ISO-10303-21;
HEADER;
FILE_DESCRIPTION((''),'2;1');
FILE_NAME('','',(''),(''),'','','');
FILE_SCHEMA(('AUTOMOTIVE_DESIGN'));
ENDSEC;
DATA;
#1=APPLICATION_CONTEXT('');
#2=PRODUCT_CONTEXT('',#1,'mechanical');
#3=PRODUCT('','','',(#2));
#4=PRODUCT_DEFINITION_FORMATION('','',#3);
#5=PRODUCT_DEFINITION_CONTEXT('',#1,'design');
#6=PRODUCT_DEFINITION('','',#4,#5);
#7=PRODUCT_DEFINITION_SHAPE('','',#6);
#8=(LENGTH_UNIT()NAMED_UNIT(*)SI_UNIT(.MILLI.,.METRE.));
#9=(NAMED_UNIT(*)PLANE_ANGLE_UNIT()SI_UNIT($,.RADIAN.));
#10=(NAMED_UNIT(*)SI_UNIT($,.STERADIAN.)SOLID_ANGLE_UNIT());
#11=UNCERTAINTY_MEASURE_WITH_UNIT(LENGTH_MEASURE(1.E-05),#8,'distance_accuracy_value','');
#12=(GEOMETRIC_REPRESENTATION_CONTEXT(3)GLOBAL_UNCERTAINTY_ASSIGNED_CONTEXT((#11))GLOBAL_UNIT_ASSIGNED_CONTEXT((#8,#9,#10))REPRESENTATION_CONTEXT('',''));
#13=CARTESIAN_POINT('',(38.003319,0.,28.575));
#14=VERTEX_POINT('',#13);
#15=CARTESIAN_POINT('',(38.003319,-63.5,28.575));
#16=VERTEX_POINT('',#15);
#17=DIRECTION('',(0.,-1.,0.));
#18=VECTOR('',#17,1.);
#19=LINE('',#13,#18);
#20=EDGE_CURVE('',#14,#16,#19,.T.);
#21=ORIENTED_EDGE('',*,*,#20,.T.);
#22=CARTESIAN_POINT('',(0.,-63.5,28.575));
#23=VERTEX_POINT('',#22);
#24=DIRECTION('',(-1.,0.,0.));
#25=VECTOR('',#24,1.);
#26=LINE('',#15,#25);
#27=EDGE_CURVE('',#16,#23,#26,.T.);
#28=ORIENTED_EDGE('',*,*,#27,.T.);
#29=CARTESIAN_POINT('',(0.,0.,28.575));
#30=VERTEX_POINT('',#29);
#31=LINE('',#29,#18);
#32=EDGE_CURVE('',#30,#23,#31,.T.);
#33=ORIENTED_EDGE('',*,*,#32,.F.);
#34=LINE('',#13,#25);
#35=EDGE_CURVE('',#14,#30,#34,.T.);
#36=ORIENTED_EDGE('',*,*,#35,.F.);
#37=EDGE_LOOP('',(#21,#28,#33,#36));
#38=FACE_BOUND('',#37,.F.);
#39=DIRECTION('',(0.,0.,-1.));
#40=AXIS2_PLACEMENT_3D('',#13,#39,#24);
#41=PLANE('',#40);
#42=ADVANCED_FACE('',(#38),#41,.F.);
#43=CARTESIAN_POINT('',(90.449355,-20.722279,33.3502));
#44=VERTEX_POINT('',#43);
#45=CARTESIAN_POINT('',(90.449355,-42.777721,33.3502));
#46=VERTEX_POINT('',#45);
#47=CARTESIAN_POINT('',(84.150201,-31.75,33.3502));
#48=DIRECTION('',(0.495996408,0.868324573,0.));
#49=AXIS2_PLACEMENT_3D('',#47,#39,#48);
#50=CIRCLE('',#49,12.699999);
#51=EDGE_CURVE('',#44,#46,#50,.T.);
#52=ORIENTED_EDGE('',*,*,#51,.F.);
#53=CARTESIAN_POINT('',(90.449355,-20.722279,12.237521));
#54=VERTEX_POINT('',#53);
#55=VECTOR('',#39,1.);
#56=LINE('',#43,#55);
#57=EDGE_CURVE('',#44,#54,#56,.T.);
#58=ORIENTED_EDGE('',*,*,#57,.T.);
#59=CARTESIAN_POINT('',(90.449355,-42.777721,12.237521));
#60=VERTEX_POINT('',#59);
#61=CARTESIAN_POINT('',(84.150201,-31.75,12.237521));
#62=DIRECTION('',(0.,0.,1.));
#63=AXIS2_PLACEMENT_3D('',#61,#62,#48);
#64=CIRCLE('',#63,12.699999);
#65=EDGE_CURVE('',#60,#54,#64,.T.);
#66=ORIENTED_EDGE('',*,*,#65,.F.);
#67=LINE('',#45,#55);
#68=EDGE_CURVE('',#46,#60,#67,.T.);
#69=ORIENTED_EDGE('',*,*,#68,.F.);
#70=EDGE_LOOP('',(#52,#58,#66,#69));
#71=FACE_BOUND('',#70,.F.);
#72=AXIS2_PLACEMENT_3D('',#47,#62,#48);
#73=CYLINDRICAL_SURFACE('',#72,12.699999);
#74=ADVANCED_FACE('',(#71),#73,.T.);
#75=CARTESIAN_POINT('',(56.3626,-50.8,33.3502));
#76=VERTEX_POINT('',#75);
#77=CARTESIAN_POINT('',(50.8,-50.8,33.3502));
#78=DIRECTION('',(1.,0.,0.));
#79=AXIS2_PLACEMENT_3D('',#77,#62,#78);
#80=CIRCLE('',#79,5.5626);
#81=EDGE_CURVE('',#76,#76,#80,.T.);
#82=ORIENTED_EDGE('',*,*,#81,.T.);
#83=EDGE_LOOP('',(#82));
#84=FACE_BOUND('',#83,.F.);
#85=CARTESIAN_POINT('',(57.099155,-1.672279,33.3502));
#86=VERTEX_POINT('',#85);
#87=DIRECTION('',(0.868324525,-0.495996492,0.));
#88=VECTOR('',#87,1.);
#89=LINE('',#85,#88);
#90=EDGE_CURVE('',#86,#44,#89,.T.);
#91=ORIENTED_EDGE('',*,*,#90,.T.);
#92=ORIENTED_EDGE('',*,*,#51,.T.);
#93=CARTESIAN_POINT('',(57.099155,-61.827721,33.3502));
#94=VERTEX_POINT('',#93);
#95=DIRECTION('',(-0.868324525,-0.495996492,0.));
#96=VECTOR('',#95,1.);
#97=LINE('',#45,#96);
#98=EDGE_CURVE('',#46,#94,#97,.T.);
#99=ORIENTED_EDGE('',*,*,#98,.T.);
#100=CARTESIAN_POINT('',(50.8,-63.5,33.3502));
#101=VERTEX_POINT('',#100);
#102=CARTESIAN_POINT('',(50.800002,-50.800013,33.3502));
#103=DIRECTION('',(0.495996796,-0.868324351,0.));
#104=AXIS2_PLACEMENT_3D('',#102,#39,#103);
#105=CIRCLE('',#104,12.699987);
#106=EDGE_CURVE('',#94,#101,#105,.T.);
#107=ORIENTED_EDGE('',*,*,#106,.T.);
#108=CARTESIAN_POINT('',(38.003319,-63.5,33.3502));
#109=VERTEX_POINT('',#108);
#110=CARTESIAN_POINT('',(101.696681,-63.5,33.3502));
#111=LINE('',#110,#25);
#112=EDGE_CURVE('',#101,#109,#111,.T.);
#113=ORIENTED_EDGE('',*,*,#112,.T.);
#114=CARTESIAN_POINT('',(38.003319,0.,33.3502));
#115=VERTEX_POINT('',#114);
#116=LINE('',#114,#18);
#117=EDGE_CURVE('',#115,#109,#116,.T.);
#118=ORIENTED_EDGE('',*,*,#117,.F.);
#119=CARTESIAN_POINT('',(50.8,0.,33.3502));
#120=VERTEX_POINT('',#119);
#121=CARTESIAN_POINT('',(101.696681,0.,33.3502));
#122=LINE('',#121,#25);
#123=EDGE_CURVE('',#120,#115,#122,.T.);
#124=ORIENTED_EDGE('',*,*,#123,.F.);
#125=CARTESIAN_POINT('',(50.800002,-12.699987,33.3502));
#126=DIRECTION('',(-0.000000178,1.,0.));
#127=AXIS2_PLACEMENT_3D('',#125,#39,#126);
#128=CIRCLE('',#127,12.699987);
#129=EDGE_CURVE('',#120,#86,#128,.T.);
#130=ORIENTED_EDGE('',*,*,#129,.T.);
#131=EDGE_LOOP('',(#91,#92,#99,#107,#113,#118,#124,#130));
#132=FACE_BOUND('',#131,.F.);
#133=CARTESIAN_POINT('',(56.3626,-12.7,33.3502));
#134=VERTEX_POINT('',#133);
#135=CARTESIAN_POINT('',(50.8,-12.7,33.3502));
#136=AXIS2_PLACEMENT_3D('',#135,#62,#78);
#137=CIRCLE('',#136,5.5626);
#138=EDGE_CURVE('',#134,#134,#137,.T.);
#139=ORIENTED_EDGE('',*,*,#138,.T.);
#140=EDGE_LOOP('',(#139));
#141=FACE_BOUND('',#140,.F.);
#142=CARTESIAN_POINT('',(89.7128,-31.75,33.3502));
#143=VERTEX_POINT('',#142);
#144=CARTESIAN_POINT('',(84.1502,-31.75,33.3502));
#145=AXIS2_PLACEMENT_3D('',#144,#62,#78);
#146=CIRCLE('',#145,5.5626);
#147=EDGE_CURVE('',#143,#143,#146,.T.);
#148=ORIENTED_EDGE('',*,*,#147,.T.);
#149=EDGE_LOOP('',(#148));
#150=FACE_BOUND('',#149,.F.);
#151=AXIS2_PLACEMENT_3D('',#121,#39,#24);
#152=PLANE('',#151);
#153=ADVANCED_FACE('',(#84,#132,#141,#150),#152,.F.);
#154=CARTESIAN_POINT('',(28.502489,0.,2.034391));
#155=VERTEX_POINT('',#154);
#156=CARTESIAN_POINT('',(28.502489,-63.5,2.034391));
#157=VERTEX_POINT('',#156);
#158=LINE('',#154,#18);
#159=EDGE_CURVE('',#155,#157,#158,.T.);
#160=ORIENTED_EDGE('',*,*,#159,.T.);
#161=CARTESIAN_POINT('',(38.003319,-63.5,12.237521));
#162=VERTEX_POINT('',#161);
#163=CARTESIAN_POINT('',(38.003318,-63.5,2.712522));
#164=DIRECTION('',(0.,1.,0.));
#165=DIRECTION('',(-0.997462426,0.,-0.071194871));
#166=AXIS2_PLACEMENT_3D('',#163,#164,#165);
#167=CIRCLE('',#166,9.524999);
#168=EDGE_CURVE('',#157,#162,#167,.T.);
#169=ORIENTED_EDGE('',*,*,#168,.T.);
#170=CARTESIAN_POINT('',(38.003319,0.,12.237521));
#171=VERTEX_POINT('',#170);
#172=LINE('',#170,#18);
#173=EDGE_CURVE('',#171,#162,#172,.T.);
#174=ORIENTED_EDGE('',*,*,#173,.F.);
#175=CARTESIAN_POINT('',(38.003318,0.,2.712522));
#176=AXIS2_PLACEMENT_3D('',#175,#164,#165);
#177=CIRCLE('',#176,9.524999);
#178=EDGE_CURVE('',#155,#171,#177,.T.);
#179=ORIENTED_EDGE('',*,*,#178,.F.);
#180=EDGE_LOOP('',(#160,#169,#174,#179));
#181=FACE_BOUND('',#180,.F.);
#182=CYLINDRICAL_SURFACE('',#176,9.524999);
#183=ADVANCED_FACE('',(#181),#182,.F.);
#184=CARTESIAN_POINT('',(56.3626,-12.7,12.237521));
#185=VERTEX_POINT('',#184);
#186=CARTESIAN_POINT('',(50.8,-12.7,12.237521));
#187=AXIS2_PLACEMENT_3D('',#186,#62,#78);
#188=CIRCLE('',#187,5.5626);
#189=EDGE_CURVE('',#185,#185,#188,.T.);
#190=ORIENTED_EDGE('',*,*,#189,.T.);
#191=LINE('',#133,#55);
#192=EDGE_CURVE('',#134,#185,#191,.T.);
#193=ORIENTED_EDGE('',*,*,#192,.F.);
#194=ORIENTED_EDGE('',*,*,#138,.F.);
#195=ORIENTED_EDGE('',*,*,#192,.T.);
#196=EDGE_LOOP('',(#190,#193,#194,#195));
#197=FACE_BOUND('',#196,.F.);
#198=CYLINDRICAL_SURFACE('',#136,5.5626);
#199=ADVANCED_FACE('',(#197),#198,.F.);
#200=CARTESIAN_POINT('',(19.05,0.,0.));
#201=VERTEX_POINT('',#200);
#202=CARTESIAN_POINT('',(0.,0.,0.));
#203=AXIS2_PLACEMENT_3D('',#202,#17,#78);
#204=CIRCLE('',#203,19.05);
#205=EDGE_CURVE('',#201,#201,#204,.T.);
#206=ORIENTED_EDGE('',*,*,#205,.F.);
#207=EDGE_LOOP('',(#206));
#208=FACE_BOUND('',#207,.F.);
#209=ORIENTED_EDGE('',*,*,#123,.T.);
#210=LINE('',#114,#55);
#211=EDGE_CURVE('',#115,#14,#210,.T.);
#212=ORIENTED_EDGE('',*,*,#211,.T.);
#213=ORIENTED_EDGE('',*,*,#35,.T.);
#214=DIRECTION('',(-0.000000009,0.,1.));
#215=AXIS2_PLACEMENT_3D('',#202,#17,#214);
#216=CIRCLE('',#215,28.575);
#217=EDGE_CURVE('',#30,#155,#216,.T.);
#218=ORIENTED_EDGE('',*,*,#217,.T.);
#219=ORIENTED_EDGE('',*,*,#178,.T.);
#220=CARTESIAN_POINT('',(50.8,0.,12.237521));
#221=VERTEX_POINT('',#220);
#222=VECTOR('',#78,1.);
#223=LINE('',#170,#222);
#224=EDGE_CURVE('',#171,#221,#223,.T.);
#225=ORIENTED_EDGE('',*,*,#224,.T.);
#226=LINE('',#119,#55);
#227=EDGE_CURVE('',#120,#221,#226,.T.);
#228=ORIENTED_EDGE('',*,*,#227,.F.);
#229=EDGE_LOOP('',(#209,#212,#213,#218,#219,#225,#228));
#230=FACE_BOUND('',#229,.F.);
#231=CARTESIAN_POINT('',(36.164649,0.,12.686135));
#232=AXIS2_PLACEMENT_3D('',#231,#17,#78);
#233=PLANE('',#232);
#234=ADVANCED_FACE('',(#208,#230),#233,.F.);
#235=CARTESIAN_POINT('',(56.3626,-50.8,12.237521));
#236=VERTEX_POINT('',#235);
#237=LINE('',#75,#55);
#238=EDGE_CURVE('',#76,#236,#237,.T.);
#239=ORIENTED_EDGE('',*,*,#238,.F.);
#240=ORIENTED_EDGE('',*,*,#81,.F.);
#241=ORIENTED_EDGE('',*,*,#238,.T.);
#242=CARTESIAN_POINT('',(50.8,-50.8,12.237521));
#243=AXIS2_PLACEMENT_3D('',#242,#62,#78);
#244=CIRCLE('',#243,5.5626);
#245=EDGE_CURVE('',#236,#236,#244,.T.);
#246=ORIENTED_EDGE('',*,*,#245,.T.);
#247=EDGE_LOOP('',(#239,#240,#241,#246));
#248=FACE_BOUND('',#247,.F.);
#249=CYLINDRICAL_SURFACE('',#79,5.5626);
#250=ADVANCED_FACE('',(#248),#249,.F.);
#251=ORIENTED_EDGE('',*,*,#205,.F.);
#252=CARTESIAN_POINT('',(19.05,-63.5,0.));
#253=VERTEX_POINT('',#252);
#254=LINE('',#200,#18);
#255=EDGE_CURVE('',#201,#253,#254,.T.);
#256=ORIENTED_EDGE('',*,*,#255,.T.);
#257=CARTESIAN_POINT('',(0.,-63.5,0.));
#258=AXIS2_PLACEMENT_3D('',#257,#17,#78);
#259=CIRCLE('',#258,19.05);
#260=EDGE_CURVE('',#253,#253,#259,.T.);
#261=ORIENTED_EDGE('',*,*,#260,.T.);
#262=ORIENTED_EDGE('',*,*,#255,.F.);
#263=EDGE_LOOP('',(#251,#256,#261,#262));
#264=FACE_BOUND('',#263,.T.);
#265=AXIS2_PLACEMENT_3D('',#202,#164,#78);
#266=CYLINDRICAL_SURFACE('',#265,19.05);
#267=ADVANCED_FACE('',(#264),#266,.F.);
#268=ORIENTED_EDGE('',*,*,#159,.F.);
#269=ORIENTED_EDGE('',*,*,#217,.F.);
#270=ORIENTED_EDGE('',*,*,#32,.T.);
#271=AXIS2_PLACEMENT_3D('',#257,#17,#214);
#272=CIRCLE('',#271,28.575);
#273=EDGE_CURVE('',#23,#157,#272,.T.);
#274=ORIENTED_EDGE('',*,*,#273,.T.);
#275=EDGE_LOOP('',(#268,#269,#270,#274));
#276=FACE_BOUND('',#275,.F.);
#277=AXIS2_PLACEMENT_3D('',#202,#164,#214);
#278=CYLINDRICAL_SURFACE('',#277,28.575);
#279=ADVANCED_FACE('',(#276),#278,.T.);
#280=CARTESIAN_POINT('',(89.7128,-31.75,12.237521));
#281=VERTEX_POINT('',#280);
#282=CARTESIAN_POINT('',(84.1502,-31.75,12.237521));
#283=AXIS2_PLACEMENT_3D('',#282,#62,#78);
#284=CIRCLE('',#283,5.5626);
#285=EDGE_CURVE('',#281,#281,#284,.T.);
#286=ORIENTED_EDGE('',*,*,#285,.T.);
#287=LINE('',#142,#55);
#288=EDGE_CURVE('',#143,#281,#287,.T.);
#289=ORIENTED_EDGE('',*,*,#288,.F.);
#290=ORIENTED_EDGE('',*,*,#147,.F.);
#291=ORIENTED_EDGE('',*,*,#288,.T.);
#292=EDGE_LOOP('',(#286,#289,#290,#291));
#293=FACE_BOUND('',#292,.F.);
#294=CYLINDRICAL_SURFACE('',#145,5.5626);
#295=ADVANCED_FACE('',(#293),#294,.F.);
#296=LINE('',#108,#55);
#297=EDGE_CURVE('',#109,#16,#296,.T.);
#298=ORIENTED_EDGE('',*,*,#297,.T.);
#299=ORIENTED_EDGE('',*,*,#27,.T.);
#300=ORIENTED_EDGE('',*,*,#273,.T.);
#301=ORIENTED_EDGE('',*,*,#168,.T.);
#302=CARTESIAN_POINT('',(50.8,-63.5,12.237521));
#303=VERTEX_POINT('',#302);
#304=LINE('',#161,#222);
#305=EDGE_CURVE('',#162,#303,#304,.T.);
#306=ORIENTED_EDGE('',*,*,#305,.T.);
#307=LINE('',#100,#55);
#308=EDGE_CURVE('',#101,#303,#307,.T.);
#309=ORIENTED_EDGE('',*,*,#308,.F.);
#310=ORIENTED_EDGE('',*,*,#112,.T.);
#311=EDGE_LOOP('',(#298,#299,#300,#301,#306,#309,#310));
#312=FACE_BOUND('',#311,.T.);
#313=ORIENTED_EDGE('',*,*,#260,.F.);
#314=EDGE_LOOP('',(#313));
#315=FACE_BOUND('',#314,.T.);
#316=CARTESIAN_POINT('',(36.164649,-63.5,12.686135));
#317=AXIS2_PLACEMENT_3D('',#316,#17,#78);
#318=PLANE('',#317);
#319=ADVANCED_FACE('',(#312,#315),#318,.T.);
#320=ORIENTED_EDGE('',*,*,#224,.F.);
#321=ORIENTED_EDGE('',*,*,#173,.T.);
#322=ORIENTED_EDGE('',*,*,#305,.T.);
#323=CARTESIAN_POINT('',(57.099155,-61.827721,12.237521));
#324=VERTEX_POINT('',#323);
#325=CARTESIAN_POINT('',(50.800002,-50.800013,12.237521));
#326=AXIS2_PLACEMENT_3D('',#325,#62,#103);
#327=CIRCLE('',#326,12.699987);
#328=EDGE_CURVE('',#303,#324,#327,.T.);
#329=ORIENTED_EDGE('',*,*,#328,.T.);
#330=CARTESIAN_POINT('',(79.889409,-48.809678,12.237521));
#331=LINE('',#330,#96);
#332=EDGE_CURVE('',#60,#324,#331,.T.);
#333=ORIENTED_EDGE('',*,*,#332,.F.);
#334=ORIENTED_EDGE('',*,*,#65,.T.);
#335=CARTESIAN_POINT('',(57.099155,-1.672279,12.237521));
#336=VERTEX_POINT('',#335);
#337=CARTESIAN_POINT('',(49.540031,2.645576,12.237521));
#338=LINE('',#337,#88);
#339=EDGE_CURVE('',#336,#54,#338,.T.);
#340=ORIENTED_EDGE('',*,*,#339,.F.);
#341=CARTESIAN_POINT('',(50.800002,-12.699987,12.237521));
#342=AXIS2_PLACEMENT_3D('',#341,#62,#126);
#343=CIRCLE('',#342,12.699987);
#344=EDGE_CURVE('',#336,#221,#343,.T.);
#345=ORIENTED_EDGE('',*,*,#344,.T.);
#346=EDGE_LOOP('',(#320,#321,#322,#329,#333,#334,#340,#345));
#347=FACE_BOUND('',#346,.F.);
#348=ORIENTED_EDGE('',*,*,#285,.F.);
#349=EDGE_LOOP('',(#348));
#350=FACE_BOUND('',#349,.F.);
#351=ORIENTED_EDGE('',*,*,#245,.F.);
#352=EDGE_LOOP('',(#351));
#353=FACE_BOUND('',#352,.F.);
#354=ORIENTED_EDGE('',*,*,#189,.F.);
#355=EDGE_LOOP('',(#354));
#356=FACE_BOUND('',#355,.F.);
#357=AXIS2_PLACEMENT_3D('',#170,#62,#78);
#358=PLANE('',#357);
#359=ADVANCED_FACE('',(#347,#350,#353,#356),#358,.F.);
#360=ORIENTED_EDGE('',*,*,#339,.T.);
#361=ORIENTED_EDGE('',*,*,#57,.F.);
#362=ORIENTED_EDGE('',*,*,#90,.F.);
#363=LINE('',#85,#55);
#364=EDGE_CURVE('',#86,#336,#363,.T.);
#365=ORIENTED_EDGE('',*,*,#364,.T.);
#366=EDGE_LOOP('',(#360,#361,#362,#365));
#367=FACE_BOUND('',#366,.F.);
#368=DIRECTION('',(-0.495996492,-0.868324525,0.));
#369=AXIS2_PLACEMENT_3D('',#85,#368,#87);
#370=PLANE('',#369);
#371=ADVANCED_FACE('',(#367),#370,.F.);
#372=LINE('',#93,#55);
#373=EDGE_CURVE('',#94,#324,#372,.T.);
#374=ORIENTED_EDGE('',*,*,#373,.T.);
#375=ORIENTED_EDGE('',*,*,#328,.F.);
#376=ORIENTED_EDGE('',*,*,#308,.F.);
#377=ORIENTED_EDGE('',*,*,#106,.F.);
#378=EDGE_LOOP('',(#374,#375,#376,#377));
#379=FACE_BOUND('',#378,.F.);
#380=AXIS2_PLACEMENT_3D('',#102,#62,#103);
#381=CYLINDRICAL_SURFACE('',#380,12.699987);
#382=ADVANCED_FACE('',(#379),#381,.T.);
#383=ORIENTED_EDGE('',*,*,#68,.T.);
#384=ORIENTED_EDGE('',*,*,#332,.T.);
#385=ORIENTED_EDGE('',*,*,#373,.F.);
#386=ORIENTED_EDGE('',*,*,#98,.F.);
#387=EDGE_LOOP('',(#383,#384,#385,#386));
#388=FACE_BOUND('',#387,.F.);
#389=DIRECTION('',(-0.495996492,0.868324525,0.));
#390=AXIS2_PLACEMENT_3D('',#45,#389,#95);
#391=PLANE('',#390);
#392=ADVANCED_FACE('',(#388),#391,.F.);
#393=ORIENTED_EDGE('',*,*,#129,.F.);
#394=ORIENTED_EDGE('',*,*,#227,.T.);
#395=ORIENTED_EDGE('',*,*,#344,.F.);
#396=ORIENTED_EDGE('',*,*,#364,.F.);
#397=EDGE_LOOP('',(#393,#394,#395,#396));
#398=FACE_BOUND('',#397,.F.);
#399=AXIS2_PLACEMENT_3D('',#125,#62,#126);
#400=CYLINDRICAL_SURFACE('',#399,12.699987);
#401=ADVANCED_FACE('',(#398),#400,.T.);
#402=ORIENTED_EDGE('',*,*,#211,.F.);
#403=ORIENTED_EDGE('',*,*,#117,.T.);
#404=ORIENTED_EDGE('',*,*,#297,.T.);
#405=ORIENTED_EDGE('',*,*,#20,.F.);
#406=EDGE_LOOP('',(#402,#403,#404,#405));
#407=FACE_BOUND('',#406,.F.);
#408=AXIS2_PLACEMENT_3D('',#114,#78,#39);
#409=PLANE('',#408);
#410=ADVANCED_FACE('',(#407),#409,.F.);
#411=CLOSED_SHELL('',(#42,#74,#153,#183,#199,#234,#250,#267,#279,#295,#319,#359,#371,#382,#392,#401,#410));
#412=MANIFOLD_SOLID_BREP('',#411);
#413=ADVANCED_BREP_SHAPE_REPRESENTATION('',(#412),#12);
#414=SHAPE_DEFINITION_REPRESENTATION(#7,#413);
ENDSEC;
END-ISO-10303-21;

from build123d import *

# Parameters (mm, degrees)
F0_R     = 19.05
F1_DEPTH = 63.5
F2_R     = 5.5626
F3_DEPTH = 25.4


with BuildPart() as f1:
    # F0 (on Front) → F1 (new body)
    with BuildSketch(Plane.XZ):
        with BuildLine():
            Line((38.003319, 28.575), (0, 28.575))
            ThreePointArc((0, 28.575), (-19.473031, -20.912476), (28.502489, 2.034391))
            ThreePointArc((28.502489, 2.034391), (31.032493, 9.203532), (38.003319, 12.237521))
            Line((38.003319, 12.237521), (101.696681, 12.237521))
            Line((101.696681, 12.237521), (101.696681, 33.3502))
            Line((101.696681, 33.3502), (38.003319, 33.3502))
            Line((38.003319, 33.3502), (38.003319, 28.575))
        make_face()
        Circle(F0_R, mode=Mode.SUBTRACT)
    extrude(amount=F1_DEPTH)

    # F2 (on face) → F3 (cut)
    with BuildSketch(Plane.XY.offset(33.3502)):
        with BuildLine():
            ThreePointArc((90.449355, -20.722279), (96.8502, -31.75), (90.449355, -42.777721))
            Line((90.449355, -42.777721), (57.099155, -61.827721))
            ThreePointArc((57.099155, -61.827721), (54.058676, -63.074813), (50.8, -63.5))
            Line((50.8, -63.5), (101.696681, -63.5))
            Line((101.696681, -63.5), (101.696681, 0))
            Line((101.696681, 0), (50.8, 0))
            ThreePointArc((50.8, 0), (54.058676, -0.425187), (57.099155, -1.672279))
            Line((57.099155, -1.672279), (90.449355, -20.722279))
        make_face()
        with Locations((50.8, -50.8)):
            Circle(F2_R)
        with Locations((84.1502, -31.75)):
            Circle(F2_R)
        with Locations((50.8, -12.7)):
            Circle(F2_R)
    extrude(amount=-F3_DEPTH, mode=Mode.SUBTRACT)


solid = f1.part
